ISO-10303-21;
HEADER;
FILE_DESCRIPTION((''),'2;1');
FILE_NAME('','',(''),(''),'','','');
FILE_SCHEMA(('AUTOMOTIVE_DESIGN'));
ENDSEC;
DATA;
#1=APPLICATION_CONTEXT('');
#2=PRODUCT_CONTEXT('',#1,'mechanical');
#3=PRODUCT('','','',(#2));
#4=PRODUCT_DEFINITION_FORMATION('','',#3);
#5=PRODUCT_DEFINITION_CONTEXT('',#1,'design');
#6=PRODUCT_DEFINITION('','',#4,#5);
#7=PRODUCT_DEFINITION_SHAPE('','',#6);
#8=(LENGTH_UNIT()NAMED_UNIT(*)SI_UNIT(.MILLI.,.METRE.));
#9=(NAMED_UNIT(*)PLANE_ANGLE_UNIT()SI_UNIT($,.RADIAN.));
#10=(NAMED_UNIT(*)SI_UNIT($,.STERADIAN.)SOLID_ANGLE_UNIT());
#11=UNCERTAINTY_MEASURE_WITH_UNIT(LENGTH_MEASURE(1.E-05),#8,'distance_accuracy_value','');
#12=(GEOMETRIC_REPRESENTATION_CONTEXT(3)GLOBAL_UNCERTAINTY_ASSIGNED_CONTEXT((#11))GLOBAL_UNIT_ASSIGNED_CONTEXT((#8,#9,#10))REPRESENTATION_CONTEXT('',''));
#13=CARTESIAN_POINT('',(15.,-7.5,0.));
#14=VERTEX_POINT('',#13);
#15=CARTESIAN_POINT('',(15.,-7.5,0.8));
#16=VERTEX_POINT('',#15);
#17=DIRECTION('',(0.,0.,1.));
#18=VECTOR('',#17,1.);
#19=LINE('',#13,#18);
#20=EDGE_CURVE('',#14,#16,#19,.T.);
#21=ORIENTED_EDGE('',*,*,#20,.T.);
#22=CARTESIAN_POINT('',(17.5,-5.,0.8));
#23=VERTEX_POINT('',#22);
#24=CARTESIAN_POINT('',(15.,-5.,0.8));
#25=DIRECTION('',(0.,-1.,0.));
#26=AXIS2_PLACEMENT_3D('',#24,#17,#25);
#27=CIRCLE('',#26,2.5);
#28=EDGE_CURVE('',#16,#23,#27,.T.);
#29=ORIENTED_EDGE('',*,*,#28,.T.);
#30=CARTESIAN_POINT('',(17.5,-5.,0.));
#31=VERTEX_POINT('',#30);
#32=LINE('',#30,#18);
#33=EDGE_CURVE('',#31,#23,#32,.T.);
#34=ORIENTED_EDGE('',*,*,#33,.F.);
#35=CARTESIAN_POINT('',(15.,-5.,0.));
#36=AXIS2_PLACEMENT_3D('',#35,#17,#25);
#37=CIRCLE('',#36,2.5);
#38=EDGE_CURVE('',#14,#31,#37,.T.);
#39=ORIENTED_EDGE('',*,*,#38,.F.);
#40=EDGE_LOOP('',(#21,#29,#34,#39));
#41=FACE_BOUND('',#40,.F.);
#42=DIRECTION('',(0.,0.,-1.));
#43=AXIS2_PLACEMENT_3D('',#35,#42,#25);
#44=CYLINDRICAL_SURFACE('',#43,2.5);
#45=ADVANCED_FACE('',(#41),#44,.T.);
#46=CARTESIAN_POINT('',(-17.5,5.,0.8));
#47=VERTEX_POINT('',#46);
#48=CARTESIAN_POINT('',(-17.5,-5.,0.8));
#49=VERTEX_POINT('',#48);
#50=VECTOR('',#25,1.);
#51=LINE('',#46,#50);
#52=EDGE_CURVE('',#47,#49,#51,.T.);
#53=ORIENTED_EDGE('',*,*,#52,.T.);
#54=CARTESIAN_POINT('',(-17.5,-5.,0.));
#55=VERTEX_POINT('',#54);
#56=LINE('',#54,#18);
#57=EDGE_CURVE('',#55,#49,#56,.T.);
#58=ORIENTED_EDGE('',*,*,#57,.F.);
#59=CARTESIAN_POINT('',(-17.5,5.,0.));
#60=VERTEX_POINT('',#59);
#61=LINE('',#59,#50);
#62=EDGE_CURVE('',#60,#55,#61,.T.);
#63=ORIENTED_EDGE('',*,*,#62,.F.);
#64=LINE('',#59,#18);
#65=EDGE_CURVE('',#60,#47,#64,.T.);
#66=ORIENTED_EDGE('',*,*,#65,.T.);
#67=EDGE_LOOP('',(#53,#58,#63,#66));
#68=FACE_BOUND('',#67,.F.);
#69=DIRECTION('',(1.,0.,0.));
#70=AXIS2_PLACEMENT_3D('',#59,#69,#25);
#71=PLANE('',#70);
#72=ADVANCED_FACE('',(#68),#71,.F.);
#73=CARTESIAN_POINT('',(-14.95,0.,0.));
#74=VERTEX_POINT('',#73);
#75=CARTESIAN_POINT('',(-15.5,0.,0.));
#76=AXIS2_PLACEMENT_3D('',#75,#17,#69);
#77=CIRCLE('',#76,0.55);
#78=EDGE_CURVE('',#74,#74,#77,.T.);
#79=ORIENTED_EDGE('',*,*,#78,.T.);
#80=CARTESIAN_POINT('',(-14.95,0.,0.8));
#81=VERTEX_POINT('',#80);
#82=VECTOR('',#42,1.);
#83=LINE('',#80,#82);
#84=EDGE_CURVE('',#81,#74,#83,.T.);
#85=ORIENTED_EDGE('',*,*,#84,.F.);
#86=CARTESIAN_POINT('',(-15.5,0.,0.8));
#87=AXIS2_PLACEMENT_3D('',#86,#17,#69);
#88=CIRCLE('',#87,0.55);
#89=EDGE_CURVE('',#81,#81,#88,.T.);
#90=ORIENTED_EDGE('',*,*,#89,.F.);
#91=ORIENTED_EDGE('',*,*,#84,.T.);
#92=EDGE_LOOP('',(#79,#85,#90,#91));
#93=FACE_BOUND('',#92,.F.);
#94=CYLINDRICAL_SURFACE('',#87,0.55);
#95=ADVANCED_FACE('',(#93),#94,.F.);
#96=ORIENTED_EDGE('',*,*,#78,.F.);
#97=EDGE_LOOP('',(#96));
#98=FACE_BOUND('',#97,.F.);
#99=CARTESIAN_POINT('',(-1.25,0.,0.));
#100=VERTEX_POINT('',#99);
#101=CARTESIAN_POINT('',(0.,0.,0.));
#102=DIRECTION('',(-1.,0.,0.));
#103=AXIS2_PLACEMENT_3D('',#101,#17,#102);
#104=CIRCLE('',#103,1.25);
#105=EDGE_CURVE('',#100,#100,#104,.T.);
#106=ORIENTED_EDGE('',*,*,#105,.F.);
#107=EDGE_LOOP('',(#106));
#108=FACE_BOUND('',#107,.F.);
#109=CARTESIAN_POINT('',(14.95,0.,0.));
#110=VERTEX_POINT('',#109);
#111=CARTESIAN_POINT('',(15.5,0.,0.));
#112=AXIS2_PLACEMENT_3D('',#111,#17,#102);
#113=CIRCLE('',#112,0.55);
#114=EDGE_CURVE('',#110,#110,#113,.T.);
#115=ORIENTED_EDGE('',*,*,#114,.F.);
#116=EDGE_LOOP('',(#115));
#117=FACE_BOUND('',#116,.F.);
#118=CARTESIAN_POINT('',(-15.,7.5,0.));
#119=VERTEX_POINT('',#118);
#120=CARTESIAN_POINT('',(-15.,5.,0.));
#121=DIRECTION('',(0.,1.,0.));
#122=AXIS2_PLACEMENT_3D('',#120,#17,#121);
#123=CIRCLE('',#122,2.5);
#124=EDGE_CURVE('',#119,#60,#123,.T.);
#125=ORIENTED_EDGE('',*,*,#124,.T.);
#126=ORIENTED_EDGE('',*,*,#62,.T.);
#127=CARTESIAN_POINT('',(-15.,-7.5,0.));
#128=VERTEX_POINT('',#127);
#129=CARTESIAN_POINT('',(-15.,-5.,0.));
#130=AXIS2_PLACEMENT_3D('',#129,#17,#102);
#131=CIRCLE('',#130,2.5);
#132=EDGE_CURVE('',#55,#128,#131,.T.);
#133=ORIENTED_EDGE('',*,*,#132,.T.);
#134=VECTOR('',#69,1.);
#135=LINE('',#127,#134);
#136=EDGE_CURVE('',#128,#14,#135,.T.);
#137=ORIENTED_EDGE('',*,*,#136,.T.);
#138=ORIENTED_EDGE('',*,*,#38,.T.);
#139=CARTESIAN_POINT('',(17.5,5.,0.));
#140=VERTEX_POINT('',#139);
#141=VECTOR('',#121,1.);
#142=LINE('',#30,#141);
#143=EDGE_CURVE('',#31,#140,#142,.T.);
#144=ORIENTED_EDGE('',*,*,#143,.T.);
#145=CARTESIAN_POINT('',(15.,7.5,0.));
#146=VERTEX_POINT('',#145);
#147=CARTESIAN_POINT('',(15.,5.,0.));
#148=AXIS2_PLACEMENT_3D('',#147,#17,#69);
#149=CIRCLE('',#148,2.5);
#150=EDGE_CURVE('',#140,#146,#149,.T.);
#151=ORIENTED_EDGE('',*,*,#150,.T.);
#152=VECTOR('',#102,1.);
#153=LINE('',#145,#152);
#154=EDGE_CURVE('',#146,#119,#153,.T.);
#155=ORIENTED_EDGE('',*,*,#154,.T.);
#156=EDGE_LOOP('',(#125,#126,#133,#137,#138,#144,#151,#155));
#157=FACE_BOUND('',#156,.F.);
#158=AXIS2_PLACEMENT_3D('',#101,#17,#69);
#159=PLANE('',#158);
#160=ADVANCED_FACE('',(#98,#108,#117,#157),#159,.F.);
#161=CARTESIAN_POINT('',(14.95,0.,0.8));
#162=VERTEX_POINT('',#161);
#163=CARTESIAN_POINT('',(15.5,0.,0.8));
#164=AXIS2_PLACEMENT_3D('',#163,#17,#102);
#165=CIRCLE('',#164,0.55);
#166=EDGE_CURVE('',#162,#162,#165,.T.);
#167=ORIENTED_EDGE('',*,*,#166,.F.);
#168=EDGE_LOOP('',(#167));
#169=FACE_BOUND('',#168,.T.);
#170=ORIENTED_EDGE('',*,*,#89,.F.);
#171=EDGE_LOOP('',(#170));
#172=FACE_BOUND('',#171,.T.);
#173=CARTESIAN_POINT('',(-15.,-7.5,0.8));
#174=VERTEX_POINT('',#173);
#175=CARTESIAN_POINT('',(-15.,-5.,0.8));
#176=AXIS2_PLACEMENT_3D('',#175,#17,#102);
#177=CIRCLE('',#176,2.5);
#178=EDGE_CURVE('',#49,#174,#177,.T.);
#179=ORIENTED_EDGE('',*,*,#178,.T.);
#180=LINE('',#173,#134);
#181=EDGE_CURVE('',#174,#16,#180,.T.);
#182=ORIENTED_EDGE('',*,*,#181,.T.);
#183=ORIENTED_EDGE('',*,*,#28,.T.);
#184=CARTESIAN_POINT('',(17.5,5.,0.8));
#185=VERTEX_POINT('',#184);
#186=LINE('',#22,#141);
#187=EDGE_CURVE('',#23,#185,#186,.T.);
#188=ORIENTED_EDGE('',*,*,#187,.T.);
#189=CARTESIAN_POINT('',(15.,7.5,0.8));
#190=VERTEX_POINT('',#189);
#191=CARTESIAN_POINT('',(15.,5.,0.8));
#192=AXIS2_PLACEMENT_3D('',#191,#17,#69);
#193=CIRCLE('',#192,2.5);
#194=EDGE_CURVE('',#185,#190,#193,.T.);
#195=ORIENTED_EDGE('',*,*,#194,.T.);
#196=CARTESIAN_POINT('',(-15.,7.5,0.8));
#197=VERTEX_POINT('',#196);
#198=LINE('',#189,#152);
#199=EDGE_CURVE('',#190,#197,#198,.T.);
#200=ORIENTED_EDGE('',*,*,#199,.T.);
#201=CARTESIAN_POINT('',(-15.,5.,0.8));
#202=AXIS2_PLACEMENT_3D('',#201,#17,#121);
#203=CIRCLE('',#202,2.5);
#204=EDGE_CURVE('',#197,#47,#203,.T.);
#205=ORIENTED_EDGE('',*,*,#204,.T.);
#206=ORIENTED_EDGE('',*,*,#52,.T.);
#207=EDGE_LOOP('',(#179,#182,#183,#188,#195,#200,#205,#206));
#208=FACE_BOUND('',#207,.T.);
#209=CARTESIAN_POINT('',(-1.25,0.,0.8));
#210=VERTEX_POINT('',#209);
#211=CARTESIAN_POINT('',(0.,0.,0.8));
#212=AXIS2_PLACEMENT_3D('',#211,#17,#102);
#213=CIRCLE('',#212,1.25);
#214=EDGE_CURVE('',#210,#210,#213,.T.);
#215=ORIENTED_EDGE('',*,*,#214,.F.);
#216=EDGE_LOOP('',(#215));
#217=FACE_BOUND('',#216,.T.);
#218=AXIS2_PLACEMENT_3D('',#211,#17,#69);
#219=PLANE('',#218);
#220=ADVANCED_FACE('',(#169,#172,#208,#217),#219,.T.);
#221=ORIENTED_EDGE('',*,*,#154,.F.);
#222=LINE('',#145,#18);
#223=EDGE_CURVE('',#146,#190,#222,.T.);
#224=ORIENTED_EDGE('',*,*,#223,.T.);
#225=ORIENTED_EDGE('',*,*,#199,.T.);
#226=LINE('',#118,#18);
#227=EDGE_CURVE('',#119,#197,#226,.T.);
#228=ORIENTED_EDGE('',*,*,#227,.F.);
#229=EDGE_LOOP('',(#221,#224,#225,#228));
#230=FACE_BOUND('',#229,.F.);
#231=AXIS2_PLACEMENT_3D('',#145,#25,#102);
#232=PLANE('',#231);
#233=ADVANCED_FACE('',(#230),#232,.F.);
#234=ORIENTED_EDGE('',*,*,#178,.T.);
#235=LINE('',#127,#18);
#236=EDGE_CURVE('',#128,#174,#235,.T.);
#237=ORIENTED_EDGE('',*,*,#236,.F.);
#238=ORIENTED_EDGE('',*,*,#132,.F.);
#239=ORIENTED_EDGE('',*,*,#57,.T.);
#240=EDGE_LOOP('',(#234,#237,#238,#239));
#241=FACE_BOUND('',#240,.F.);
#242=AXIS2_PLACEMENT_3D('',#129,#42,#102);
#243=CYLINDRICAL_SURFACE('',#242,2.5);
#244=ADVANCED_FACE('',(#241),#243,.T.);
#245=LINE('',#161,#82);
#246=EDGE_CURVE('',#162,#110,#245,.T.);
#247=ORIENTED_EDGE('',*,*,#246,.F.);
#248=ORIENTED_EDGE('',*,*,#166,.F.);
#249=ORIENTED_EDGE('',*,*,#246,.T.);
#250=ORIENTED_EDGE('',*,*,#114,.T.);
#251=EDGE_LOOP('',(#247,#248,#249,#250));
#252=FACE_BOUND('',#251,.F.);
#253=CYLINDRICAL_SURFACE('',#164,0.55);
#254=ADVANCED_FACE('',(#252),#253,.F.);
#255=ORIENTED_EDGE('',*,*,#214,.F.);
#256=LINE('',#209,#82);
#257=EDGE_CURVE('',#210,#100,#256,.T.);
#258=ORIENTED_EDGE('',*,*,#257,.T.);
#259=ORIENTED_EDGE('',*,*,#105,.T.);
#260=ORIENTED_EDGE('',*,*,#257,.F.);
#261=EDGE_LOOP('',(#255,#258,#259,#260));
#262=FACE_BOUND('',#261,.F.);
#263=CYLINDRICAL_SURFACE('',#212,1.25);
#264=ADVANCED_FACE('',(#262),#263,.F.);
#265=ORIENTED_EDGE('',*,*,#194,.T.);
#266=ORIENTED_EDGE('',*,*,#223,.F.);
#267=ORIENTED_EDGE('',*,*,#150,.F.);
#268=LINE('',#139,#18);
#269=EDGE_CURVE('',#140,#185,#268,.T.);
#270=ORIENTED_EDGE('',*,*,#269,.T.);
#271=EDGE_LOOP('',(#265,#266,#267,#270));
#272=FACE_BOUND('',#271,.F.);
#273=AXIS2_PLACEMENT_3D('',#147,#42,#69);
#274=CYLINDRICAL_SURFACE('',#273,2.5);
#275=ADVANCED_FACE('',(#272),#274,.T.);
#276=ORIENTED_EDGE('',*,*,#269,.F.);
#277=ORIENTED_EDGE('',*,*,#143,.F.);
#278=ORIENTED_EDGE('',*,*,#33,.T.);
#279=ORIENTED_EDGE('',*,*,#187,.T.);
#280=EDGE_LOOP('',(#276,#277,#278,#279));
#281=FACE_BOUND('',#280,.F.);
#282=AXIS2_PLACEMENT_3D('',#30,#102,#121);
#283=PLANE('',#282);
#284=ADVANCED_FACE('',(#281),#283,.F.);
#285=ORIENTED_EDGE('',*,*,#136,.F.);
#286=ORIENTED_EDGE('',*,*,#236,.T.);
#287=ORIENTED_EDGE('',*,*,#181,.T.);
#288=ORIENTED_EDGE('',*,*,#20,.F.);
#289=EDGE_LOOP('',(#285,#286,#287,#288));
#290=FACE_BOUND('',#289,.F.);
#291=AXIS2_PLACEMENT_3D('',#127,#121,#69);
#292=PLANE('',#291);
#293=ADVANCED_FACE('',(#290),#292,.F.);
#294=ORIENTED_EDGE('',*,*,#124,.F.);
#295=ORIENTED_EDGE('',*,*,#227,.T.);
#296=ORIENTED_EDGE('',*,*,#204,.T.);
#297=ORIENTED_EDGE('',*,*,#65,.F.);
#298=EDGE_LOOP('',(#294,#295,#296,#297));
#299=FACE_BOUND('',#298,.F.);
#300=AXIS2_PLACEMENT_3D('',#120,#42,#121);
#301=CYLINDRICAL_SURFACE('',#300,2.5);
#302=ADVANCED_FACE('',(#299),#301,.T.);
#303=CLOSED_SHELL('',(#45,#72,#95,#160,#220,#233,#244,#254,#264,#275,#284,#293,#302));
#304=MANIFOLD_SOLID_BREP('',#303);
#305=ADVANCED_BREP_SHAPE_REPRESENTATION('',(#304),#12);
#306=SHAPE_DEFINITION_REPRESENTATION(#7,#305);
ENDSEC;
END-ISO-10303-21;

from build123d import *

# Parameters (mm, degrees)
F1_DEPTH = 0.8
F2_R     = 0.55
F3_DEPTH = 0.801


with BuildPart() as f1:
    # F0 (on Top) → F1 (new body)
    with BuildSketch(Plane.XY):
        with BuildLine():
            Line((15, 7.5), (-15, 7.5))
            ThreePointArc((-15, 7.5), (-16.767766953, 6.767766953), (-17.5, 5))
            Line((-17.5, 5), (-17.5, -5))
            ThreePointArc((-17.5, -5), (-16.767766953, -6.767766953), (-15, -7.5))
            Line((-15, -7.5), (15, -7.5))
            ThreePointArc((15, -7.5), (16.767766953, -6.767766953), (17.5, -5))
            Line((17.5, -5), (17.5, 5))
            ThreePointArc((17.5, 5), (16.767766953, 6.767766953), (15, 7.5))
        make_face()
    extrude(amount=F1_DEPTH)

    # F2 (on face) → F3 (cut, through all)
    with BuildSketch(Plane.XY.offset(0.8)):
        with BuildLine():
            Line((0, 0), (1.25, 0))
            ThreePointArc((1.25, 0), (0, 1.25), (-1.25, 0))
            Line((-1.25, 0), (0, 0))
        make_face()
        with BuildLine():
            ThreePointArc((-1.25, 0), (0, -1.25), (1.25, 0))
            Line((1.25, 0), (0, 0))
            Line((0, 0), (-1.25, 0))
        make_face()
        with Locations((-15.5, 0)):
            Circle(F2_R)
        with BuildLine():
            ThreePointArc((16.05, 0), (15.5, 0.55), (14.95, 0))
            ThreePointArc((14.95, 0), (15.5, -0.55), (16.05, 0))
        make_face()
    extrude(amount=-F3_DEPTH, mode=Mode.SUBTRACT)


solid = f1.part
